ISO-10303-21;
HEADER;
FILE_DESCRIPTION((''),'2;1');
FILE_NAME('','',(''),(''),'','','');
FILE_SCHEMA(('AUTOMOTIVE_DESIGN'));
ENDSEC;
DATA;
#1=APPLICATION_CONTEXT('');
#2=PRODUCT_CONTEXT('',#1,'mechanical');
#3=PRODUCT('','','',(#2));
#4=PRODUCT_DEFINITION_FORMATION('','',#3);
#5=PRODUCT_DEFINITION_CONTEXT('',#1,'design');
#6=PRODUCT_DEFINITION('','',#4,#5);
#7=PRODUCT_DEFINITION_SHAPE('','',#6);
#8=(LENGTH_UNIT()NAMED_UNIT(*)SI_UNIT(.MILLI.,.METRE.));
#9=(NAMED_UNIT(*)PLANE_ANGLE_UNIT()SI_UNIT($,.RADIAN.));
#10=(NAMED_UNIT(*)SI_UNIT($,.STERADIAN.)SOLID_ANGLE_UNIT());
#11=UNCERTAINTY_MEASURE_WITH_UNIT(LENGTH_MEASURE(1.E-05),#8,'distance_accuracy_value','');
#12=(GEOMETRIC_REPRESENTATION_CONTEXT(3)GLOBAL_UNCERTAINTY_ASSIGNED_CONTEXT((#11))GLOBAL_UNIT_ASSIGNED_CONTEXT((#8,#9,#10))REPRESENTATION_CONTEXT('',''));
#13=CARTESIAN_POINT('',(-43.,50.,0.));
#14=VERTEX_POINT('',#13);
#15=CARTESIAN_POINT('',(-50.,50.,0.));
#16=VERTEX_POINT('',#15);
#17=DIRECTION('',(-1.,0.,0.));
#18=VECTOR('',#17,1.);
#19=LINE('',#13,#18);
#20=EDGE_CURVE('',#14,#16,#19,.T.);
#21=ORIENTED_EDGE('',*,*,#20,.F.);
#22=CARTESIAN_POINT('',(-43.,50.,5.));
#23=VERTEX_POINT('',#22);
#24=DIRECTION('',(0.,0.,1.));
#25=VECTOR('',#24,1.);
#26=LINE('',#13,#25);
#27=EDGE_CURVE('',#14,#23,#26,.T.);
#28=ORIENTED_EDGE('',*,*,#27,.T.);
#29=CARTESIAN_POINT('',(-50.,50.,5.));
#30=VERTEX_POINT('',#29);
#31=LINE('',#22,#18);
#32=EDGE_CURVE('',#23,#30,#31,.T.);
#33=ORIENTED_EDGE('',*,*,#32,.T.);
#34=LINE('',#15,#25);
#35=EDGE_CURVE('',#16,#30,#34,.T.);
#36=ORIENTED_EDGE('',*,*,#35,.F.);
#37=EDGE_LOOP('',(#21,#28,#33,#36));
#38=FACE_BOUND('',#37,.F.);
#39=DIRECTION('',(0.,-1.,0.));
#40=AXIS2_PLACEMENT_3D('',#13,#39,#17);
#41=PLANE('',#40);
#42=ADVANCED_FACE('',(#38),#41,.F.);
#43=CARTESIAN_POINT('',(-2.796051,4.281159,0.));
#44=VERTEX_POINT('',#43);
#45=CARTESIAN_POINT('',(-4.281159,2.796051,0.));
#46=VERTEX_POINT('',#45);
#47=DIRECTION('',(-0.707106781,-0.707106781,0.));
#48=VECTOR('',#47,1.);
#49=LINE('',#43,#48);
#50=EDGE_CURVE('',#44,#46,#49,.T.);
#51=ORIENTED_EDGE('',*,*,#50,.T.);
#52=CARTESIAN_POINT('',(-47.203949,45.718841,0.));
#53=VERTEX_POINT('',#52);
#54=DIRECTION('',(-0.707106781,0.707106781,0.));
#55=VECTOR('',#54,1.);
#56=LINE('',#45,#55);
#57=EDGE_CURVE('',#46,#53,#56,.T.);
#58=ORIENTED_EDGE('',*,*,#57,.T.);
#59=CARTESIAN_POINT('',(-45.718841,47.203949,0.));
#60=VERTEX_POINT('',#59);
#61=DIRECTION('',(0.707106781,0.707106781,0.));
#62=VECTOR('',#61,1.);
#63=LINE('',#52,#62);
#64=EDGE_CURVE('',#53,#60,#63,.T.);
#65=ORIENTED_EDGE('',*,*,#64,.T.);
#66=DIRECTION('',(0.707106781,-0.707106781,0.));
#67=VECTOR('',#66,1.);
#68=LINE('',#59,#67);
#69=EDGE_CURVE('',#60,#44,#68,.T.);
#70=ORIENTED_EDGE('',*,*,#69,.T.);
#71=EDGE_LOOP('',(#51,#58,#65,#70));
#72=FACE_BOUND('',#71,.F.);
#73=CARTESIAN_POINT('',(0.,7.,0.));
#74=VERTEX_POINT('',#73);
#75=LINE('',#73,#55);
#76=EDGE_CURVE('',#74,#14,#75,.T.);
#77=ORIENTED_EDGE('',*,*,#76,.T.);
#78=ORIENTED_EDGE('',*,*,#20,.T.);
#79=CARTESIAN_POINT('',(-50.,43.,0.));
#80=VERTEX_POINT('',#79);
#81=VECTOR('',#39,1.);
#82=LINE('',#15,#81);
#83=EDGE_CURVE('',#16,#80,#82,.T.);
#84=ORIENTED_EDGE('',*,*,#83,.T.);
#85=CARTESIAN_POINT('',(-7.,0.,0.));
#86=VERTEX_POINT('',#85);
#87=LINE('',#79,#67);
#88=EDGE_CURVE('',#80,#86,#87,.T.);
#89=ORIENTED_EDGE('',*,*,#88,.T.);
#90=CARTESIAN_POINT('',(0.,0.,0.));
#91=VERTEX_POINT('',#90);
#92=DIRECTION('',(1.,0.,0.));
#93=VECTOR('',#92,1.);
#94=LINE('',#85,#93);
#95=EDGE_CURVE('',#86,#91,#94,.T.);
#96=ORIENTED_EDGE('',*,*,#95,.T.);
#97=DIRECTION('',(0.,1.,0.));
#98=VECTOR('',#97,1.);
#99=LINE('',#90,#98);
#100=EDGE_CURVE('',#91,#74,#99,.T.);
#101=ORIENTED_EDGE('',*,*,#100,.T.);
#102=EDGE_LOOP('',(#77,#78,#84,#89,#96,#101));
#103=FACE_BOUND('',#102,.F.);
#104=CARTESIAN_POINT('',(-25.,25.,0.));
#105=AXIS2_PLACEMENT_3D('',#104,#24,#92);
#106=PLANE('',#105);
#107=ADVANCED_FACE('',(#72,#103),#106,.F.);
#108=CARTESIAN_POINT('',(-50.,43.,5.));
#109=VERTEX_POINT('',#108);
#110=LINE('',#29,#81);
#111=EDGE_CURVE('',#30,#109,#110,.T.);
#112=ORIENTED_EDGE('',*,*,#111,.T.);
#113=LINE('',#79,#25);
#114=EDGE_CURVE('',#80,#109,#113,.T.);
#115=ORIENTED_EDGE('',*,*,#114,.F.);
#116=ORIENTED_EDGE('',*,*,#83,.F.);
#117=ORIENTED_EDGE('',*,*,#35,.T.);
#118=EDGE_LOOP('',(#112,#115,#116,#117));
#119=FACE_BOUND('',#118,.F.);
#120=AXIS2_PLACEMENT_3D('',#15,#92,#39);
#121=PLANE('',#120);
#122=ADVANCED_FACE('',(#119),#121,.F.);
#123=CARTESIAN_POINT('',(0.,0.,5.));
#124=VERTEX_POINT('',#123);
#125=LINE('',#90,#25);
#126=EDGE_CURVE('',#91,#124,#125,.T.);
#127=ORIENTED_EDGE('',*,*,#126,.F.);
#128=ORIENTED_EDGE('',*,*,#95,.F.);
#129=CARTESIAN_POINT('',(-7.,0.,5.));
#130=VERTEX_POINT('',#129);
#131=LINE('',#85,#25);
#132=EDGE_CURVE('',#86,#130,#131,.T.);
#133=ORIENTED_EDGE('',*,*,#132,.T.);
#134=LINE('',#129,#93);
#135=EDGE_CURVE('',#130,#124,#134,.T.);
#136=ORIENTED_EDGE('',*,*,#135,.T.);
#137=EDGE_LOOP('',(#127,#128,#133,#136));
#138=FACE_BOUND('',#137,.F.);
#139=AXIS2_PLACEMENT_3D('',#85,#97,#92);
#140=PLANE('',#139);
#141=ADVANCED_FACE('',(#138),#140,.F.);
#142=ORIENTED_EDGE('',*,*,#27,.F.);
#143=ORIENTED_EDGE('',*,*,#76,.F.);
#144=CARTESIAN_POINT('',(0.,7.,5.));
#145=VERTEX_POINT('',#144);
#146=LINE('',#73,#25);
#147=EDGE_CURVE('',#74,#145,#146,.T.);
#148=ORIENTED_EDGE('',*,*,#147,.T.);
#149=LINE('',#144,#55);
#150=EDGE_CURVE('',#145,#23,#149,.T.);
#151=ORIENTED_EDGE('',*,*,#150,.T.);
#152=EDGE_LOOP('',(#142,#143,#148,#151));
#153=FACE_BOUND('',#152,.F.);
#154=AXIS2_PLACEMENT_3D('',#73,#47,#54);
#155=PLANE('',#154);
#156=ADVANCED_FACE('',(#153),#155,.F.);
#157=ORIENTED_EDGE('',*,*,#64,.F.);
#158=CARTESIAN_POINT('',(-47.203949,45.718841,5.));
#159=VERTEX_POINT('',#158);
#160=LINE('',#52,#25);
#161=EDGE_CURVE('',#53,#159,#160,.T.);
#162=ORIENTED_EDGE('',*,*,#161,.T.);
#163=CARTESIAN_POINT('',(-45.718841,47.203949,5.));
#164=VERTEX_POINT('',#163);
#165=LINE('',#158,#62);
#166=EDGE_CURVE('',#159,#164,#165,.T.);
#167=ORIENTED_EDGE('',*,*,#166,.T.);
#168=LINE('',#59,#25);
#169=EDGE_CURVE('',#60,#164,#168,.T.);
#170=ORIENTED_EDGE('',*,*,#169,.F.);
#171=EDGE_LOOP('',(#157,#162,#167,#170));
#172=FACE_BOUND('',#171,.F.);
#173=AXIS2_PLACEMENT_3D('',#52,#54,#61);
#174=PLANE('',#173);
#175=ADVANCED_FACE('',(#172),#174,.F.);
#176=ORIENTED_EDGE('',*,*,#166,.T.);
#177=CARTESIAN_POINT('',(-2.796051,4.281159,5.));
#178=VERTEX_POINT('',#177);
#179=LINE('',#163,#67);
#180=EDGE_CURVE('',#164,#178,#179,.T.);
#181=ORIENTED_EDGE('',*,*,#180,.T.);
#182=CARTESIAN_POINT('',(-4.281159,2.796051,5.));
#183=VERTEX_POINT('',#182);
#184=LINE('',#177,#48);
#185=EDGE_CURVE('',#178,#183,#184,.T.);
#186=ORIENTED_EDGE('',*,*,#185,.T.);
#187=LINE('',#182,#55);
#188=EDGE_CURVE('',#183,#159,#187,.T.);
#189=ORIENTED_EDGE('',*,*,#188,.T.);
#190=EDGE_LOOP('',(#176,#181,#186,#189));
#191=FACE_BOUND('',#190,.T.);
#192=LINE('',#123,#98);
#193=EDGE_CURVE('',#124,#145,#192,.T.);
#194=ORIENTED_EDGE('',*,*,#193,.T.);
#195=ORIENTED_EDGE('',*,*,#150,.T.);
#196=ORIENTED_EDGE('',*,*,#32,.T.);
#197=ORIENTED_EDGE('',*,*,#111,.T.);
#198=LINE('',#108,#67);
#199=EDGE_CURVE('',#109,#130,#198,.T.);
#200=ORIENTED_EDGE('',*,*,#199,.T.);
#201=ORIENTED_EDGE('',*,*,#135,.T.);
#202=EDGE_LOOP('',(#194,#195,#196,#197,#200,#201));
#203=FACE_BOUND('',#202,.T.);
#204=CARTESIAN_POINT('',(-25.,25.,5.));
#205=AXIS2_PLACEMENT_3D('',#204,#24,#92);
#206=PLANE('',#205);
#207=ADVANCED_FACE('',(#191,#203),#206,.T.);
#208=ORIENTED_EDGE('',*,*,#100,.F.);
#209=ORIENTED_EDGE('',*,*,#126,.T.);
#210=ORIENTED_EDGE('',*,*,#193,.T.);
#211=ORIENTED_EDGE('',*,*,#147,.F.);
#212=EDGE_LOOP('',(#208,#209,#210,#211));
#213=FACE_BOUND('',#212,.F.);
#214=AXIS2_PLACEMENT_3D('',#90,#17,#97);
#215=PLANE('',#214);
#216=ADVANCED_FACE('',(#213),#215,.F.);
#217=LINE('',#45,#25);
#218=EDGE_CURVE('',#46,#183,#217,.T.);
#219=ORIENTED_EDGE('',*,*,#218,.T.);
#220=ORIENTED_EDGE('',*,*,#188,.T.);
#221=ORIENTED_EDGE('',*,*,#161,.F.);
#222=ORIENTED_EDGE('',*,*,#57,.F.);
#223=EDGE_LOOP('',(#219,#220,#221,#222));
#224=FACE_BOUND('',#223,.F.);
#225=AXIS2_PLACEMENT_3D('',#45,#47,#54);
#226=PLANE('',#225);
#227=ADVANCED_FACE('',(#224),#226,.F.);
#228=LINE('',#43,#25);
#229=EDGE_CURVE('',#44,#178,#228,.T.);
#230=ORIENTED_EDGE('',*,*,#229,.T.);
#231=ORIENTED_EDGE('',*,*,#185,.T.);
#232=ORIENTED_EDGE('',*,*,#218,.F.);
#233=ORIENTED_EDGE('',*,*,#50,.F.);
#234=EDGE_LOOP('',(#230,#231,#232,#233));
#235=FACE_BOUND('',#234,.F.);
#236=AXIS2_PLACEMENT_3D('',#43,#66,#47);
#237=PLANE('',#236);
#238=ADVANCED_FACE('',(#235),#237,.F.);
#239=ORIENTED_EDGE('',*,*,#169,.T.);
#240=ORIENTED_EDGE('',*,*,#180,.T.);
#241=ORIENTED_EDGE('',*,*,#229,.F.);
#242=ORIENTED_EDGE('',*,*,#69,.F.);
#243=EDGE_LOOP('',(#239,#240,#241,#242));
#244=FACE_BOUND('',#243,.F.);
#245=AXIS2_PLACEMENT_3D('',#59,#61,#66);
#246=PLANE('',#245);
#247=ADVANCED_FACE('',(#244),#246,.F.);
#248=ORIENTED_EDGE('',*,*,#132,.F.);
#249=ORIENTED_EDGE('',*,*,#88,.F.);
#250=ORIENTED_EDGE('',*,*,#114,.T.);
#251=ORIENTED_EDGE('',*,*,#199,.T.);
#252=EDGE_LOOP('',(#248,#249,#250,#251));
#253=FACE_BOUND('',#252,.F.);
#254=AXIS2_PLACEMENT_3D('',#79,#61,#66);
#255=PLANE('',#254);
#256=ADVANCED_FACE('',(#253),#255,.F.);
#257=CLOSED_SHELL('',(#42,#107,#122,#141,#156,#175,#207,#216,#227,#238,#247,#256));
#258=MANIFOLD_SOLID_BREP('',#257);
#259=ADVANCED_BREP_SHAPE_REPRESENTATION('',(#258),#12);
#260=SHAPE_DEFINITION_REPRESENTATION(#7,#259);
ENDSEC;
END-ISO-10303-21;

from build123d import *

# Parameters (mm, degrees)
F1_DEPTH = 5


with BuildPart() as f1:
    # F0 (on Top) → F1 (new body)
    with BuildSketch(Plane.XY):
        Polygon((-50, 50), (-50, 43), (-7, 0), (0, 0), (0, 7), (-43, 50), align=None)
        Polygon((-47.203949, 45.718841), (-45.718841, 47.203949), (-2.796051, 4.281159), (-4.281159, 2.796051), align=None, mode=Mode.SUBTRACT)
    extrude(amount=F1_DEPTH)


solid = f1.part
